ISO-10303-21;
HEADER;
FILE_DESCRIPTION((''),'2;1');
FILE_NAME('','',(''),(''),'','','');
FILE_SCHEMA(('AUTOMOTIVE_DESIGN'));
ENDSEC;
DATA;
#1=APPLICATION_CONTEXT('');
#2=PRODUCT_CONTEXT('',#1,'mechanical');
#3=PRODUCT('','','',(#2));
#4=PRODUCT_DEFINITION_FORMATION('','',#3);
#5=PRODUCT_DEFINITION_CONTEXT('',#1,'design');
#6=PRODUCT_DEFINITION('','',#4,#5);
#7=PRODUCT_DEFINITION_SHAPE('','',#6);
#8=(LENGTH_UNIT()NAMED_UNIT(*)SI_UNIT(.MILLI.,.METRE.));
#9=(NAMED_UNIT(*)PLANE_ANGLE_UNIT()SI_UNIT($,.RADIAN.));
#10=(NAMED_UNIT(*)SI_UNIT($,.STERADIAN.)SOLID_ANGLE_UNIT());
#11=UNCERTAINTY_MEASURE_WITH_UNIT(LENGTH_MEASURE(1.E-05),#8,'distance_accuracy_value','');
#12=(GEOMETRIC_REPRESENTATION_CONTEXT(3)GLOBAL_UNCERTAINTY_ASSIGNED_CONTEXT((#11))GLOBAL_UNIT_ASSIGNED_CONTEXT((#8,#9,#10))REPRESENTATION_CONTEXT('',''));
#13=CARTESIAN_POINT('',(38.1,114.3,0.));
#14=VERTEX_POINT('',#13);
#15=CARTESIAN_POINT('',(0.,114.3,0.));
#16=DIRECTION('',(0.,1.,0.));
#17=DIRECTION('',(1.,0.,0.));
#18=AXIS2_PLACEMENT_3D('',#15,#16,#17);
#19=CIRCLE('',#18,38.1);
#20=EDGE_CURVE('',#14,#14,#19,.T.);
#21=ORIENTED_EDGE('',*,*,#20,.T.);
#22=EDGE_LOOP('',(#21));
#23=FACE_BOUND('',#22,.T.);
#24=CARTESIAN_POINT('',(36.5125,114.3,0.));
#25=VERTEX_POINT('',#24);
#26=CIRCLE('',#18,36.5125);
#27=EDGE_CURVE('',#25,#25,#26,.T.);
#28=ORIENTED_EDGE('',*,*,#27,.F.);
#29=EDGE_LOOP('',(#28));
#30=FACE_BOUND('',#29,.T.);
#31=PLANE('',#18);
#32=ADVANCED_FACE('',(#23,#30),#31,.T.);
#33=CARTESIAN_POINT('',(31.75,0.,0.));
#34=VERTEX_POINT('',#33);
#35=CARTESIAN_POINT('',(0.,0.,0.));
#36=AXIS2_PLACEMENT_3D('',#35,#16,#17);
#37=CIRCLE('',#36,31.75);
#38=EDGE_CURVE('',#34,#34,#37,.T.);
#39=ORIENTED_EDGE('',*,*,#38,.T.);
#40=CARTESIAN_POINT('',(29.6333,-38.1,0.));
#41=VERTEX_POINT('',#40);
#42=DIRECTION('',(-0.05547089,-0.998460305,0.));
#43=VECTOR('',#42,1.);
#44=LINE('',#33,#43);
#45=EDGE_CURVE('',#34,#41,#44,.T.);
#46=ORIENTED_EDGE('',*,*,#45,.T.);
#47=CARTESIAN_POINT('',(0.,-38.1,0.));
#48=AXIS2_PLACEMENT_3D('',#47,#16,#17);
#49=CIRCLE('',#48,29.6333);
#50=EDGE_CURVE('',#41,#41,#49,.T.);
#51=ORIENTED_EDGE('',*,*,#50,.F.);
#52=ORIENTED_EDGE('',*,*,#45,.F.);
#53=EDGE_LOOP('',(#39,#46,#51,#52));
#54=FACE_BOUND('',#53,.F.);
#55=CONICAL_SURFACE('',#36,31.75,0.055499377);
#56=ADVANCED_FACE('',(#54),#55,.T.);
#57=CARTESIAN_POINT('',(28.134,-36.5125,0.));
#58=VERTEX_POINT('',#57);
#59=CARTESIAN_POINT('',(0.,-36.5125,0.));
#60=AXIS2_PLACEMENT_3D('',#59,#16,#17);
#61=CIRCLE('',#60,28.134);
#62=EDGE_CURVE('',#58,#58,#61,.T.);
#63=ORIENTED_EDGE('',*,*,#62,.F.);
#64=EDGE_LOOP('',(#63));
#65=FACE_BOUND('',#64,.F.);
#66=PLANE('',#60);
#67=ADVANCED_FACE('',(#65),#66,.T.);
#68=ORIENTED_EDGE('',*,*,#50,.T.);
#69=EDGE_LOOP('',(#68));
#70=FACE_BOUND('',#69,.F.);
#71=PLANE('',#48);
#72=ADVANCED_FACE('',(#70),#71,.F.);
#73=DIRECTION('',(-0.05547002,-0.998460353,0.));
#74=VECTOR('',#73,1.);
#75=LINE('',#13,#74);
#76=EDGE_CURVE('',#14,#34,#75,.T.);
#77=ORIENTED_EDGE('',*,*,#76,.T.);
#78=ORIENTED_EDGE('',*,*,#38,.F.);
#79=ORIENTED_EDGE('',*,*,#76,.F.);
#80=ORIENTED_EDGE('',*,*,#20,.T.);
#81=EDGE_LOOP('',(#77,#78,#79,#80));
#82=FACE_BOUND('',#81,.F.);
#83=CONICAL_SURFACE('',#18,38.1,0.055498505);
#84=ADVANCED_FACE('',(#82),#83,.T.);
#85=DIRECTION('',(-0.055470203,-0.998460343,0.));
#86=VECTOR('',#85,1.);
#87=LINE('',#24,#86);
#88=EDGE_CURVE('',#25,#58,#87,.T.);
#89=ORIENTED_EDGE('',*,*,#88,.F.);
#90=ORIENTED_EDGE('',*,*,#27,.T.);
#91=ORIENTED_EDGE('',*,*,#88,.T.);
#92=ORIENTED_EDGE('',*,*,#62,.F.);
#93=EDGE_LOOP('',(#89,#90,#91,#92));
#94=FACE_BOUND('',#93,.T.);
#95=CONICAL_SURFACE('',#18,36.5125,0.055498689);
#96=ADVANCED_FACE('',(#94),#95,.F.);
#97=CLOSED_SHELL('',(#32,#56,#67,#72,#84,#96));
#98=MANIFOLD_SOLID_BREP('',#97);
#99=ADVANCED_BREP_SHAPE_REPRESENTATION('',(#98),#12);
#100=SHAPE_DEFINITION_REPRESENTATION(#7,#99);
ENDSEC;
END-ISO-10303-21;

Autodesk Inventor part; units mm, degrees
ref_plane "YZ Plane" through (0, 0, 0) normal (1, 0, 0) x (0, 1, 0)
ref_plane "XZ Plane" through (0, 0, 0) normal (0, 1, 0) x (-1, 0, 0)
ref_plane "XY Plane" through (0, 0, 0) normal (0, 0, 1) x (1, 0, 0)
sketch "Sketch1" plane through (0, 0, 0) normal (0, 0, 1) x (1, 0, 0)
  line L0 (38.1, 114.3) -> (31.75, 0)
  line L1 (31.75, 0) -> (29.6333, -38.1)
  line L2 (29.6333, -38.1) -> (0, -38.1)
  line L3 (38.1, 114.3) -> (36.5125, 114.3)
  line L4 (36.5125, 114.3) -> (28.134, -36.5125)
  line L5 (0, -38.1) -> (0, -36.5125)
  line L6 (0, -36.5125) -> (28.134, -36.5125)
  point P0 (0, 0)
  dimension "d0" = 31.75
  dimension "d1" = 38.1
  dimension "d4" = 1.5875
  dimension "d5" = 1.5875
revolve "Revolution1" add sketch "Sketch1" angle 360 about axis through (0, -38.1, 0) along (0, 1, 0)
properties part number "glass"
